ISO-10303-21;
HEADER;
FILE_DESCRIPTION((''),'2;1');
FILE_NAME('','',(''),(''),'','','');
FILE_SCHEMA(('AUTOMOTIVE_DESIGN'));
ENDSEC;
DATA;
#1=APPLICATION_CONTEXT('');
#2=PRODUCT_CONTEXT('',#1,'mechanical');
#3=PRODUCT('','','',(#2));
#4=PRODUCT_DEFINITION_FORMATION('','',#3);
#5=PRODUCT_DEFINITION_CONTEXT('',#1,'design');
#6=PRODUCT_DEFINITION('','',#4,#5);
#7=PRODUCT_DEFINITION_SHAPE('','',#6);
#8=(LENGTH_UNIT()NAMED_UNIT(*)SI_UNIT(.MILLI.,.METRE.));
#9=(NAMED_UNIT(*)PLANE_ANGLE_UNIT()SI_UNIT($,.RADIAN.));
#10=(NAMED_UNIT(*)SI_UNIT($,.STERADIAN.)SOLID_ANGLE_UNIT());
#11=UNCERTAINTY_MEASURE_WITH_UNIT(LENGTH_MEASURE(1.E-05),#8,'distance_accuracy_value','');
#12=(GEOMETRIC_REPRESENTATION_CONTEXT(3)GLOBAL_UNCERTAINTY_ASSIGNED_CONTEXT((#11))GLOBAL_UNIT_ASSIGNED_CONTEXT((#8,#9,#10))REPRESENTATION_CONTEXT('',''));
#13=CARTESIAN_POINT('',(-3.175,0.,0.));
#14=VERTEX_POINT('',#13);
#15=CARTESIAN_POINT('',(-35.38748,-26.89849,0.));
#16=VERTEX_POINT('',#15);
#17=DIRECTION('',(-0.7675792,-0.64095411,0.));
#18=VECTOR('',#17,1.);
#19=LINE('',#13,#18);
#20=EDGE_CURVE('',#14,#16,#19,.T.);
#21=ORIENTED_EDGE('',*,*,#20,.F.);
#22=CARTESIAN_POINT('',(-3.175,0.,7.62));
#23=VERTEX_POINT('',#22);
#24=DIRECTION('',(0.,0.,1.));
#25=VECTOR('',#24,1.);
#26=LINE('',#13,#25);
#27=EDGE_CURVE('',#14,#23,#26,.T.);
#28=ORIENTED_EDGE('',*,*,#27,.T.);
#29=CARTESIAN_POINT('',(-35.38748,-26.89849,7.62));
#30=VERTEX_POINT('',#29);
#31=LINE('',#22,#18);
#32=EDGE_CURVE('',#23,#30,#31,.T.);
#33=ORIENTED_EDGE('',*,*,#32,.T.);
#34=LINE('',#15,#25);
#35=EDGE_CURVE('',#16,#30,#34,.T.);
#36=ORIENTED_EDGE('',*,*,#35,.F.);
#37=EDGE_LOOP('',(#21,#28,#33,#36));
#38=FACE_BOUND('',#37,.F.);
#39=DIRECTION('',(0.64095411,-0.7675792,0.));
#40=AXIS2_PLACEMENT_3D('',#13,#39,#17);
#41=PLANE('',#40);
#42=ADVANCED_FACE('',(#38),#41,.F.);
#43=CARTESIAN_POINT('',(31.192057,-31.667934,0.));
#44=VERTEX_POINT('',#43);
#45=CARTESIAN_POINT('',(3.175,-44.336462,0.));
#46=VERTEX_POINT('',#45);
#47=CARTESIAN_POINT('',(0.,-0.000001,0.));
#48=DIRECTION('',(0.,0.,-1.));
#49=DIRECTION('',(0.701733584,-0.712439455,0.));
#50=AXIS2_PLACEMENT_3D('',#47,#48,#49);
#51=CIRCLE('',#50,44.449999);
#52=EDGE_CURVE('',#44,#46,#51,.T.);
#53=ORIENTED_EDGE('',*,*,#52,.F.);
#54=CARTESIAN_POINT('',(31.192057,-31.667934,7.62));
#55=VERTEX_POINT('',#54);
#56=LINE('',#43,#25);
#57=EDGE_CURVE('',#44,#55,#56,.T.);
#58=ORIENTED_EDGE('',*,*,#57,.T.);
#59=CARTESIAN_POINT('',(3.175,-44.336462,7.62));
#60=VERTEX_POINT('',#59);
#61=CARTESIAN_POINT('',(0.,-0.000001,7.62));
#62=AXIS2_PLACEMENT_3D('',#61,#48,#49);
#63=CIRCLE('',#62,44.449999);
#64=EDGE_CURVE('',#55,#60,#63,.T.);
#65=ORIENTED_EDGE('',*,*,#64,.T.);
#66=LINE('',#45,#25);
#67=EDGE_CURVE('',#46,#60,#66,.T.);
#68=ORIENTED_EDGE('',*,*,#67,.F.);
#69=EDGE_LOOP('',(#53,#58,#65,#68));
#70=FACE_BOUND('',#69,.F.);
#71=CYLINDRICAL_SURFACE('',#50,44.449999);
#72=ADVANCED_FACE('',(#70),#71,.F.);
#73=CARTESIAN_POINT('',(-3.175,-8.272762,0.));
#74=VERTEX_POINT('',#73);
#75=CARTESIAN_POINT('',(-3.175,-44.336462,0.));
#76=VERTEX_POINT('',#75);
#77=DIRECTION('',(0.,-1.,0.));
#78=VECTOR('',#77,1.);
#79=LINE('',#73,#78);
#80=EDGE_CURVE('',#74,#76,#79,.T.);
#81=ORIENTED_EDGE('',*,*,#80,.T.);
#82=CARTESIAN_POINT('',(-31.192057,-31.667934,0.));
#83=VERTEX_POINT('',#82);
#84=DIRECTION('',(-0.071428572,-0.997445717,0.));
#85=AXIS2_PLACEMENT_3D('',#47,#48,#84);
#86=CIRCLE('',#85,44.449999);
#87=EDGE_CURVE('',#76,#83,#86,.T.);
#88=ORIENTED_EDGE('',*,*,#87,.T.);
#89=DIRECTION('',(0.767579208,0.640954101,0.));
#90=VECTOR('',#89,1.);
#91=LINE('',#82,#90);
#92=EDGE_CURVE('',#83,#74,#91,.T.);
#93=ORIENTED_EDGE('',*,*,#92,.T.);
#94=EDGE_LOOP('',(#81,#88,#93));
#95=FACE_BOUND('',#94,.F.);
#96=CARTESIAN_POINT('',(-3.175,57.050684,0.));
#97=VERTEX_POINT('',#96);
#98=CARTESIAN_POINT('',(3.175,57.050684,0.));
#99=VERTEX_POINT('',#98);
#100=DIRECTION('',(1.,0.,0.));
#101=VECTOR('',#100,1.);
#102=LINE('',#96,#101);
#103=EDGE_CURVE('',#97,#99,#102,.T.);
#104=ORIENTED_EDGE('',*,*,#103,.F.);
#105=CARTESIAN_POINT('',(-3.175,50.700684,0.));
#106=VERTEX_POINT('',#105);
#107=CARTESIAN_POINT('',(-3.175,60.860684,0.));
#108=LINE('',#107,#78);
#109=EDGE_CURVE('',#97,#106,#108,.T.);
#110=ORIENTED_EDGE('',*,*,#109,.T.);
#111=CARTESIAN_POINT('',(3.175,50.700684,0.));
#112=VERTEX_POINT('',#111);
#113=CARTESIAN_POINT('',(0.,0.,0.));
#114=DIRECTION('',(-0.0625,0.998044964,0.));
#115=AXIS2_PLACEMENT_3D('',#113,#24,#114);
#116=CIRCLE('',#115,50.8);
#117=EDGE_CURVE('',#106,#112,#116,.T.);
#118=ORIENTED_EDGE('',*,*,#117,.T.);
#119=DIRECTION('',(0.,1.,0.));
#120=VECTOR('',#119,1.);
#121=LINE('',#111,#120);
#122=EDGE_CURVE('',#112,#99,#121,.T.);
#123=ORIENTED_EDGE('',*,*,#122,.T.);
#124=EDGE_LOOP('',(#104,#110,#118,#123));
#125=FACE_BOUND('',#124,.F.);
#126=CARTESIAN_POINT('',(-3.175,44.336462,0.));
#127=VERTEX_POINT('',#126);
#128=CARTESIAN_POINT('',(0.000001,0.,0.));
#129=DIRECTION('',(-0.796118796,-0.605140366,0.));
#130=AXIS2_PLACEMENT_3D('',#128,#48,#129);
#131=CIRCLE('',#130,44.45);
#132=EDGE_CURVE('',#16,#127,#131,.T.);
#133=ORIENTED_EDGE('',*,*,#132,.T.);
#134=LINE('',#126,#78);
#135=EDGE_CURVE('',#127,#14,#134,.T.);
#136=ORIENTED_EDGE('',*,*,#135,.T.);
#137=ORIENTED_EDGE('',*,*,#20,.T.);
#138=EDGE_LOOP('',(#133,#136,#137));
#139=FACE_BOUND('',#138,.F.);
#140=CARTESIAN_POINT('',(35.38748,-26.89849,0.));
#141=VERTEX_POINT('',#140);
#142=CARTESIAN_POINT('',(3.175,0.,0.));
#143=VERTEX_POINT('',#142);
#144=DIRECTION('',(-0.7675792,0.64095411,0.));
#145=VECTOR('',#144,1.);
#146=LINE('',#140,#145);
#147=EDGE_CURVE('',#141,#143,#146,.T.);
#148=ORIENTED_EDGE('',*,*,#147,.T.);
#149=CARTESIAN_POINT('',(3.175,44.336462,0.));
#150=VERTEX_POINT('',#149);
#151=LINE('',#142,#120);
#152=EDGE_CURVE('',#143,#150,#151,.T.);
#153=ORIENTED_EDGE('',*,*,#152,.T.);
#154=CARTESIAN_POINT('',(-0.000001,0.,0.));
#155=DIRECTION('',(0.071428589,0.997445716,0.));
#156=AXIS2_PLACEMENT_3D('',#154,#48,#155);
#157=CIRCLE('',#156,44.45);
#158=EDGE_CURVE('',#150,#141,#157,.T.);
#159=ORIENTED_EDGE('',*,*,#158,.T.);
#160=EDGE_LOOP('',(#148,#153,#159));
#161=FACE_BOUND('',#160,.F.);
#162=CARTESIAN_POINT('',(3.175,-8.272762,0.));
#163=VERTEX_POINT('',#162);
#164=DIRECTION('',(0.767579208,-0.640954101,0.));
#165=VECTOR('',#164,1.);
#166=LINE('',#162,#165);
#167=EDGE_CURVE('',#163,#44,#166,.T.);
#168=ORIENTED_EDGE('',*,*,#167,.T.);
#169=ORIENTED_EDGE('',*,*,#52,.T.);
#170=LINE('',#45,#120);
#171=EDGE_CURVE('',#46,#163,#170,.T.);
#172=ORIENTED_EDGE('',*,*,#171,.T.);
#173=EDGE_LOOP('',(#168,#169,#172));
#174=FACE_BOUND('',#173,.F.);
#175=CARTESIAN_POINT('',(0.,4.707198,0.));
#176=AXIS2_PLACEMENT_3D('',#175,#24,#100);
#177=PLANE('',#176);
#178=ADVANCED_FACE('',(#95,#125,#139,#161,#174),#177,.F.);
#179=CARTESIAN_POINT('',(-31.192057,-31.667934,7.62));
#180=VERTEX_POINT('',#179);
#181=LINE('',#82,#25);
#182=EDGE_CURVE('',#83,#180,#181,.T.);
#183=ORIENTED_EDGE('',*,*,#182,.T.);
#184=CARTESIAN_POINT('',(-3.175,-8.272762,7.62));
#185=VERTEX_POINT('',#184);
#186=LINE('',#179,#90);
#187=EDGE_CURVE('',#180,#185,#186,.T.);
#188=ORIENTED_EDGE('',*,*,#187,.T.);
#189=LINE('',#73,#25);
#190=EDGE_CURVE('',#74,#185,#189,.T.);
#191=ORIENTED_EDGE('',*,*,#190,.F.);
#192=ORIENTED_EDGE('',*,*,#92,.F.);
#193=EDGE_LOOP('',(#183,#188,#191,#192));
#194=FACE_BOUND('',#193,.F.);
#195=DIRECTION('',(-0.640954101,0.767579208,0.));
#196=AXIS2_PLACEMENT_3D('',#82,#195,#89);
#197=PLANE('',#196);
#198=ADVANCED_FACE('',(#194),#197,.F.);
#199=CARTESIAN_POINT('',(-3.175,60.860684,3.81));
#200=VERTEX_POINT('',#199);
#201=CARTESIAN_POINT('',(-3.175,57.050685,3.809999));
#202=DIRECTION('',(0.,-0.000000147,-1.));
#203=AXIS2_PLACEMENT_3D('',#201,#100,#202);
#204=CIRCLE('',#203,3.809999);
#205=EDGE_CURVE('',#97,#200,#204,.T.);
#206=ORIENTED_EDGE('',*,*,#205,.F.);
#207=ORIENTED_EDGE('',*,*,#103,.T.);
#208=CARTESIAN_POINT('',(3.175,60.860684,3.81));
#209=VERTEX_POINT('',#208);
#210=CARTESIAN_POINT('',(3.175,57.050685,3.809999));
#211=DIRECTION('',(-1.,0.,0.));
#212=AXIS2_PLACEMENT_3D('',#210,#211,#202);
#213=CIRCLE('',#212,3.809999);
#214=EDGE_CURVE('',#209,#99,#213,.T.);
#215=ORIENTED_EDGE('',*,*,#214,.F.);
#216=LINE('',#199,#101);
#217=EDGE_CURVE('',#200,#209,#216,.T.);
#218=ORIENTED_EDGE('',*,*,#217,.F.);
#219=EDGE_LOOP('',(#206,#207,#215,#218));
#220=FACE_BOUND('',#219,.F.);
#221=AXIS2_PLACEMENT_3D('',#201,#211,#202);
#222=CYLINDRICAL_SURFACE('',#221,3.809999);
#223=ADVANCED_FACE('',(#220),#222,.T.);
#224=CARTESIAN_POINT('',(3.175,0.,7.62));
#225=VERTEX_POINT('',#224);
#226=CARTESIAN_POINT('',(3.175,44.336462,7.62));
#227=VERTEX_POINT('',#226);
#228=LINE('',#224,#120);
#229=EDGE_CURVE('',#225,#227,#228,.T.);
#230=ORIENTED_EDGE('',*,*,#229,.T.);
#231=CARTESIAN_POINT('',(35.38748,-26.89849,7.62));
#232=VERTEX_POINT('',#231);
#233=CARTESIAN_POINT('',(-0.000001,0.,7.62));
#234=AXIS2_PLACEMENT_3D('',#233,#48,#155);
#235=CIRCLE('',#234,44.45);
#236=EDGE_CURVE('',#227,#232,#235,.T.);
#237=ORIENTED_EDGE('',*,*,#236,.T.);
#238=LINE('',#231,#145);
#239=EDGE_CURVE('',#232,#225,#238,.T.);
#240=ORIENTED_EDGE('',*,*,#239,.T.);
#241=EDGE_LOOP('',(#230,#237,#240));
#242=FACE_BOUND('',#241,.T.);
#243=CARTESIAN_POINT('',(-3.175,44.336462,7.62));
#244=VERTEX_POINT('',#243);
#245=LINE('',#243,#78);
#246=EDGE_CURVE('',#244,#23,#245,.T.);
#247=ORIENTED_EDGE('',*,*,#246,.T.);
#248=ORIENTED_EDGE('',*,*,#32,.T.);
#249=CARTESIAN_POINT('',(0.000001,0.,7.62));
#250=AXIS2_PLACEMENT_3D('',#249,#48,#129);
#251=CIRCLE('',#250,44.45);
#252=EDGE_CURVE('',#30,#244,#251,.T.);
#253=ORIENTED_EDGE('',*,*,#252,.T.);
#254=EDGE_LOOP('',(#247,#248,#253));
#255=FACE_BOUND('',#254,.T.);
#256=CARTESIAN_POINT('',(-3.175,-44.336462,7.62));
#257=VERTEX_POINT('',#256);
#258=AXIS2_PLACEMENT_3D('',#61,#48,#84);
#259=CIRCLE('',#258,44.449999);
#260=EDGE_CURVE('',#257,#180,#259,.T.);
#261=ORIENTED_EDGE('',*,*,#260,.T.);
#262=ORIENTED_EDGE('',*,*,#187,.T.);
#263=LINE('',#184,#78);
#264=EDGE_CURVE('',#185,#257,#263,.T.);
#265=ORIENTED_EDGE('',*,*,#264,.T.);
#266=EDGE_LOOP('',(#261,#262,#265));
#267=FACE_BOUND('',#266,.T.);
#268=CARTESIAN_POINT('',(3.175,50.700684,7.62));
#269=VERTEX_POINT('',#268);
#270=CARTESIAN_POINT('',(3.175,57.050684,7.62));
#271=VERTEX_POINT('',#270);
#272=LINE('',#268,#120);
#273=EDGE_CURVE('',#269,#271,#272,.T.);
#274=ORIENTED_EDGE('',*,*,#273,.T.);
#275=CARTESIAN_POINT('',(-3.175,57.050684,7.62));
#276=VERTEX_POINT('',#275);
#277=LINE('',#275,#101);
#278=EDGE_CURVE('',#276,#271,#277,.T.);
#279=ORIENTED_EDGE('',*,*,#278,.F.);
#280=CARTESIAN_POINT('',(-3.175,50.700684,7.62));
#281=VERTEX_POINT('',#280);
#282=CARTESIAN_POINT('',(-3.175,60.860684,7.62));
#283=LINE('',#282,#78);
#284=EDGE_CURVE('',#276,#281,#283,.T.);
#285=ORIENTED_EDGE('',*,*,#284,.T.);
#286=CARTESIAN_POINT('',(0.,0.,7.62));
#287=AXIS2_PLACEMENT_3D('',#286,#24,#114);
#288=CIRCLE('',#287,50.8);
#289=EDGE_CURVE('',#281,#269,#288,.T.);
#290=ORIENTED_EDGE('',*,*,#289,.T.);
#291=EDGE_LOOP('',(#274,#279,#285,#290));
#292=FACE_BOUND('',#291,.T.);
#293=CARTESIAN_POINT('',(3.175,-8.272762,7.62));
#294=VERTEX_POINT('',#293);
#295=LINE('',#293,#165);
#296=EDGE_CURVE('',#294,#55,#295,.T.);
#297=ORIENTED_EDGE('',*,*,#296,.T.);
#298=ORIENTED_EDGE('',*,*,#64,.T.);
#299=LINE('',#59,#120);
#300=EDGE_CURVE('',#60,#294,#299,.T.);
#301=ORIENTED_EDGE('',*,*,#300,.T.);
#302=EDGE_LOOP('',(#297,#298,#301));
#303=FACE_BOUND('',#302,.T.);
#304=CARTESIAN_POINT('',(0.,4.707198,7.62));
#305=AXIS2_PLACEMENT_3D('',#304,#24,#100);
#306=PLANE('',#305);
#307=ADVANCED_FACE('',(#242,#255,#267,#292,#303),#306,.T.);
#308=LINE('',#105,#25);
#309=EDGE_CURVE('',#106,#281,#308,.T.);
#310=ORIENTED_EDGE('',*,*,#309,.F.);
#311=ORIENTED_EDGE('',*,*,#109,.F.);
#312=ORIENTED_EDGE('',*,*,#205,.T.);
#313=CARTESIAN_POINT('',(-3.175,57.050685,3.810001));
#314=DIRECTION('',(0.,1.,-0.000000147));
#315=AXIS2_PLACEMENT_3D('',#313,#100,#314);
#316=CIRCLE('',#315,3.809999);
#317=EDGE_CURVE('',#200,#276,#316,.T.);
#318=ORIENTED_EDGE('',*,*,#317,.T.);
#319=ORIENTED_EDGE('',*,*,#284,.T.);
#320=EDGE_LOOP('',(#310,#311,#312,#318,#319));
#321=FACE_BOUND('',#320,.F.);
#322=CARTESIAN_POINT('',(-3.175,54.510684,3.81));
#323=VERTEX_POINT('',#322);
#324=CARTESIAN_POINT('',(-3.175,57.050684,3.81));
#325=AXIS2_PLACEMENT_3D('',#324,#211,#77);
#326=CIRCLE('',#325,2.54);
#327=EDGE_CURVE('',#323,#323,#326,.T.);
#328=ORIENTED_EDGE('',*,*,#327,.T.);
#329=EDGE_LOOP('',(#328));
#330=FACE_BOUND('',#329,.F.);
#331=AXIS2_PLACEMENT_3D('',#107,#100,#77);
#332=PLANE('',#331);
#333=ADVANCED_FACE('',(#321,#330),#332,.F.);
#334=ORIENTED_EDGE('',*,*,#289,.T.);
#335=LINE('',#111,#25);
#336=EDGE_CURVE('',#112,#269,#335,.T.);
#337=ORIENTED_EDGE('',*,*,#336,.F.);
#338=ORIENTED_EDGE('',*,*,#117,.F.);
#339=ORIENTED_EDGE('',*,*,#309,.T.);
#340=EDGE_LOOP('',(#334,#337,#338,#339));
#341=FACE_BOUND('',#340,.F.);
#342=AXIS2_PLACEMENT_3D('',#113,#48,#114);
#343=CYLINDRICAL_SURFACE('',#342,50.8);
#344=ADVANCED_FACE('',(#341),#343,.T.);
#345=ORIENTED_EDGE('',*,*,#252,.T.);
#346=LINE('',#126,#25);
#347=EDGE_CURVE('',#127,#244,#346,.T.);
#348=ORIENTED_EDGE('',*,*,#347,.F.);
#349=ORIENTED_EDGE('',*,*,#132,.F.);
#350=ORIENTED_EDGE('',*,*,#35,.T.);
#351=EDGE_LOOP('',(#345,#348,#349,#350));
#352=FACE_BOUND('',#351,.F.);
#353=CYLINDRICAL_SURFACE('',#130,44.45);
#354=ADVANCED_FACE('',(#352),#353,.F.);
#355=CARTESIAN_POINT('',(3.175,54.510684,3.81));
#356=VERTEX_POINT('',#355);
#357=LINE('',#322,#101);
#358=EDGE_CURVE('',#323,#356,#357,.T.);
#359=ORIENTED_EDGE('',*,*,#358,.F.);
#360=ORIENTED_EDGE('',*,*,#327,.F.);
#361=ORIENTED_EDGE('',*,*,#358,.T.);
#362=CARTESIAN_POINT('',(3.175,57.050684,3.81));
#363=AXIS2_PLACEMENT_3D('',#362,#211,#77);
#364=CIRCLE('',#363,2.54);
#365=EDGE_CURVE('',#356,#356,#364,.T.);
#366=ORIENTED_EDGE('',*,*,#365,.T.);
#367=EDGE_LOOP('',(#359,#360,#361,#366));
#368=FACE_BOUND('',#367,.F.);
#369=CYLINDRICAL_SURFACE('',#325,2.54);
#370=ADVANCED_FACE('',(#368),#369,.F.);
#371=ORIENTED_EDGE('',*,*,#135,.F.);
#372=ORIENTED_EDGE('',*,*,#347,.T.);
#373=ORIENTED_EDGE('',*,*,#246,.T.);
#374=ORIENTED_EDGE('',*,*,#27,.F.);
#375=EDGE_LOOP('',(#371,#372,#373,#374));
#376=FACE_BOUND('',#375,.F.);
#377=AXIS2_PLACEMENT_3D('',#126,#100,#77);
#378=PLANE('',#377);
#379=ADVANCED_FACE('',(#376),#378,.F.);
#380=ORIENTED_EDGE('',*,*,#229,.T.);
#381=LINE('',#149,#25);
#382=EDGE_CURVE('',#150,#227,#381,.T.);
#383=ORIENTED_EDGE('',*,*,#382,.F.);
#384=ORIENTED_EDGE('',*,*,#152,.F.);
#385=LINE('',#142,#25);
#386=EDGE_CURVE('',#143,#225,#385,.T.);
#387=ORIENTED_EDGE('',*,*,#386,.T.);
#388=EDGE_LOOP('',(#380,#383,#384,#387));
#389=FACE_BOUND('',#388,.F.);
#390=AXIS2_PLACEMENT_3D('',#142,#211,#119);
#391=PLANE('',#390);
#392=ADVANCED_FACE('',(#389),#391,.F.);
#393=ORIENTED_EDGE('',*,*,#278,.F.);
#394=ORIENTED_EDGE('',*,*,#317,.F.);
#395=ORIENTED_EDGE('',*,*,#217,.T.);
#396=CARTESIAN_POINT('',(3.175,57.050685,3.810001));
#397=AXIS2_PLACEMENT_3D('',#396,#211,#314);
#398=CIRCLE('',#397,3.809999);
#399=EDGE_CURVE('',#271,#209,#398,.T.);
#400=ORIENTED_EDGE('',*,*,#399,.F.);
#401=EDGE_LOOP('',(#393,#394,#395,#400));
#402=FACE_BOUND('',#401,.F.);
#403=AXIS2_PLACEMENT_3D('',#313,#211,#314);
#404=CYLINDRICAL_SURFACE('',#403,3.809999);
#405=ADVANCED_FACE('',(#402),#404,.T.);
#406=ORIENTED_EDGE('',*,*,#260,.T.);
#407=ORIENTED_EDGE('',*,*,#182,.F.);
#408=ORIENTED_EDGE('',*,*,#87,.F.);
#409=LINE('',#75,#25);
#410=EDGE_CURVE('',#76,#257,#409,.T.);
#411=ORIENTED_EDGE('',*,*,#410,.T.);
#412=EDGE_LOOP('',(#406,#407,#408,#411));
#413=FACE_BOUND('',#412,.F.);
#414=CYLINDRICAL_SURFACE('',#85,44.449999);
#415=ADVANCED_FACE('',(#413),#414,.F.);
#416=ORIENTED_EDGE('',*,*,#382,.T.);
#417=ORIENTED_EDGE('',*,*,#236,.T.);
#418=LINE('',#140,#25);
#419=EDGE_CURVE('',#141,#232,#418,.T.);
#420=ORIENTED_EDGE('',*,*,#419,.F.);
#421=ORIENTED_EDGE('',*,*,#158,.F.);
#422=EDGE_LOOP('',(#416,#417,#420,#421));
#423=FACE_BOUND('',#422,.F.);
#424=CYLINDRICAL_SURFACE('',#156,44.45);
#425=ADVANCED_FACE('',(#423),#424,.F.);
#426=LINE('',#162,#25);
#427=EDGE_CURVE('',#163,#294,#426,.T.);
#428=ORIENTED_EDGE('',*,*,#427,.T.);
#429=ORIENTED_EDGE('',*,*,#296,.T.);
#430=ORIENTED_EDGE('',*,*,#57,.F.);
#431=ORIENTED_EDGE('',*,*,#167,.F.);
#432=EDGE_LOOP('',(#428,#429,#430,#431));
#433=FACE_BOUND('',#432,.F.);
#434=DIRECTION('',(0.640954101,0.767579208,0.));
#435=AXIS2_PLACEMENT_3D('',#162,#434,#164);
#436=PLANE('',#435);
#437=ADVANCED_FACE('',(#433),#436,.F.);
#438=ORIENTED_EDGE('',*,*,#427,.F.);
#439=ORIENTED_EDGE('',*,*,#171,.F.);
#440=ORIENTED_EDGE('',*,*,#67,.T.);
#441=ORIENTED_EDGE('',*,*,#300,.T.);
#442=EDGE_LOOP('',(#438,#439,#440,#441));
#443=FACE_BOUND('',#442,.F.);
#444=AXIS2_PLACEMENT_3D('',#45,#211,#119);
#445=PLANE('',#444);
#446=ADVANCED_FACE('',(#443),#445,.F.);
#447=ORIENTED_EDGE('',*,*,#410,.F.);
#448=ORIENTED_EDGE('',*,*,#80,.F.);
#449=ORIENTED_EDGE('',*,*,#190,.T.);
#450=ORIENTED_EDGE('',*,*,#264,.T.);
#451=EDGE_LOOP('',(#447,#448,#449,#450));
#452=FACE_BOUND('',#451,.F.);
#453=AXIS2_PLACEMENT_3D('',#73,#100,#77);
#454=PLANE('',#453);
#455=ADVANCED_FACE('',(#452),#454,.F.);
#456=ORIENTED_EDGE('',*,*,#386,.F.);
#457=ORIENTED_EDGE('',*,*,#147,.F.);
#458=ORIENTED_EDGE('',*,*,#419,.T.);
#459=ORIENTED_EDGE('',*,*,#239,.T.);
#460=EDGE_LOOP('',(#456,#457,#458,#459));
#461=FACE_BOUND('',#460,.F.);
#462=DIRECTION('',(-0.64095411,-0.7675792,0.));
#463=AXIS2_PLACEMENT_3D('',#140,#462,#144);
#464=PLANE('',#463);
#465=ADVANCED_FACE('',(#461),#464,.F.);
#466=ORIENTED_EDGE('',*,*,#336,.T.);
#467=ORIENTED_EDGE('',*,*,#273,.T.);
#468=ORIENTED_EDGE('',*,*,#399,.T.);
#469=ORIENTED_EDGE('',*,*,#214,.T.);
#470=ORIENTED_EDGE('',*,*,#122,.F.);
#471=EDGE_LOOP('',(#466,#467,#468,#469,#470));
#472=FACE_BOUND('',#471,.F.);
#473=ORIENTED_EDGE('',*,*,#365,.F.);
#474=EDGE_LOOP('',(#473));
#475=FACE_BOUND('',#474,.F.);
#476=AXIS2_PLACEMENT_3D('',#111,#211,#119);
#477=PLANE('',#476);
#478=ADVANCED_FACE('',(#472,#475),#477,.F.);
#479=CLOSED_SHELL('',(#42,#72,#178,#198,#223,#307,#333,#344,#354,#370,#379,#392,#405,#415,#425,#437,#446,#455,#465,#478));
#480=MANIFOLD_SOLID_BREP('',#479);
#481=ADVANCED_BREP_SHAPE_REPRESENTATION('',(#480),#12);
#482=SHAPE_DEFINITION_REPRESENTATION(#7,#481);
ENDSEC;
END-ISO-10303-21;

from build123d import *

# Parameters (mm, degrees)
F1_DEPTH = 7.62
F2_R     = 2.54
F3_DEPTH = 25.4


with BuildPart() as f1:
    # F0 (on Top) → F1 (new body)
    with BuildSketch(Plane.XY):
        with BuildLine():
            Line((-3.175, 60.860684), (-3.175, 50.700684))
            ThreePointArc((-3.175, 50.700684), (0, -50.8), (3.175, 50.700684))
            Line((3.175, 50.700684), (3.175, 60.860684))
            Line((3.175, 60.860684), (-3.175, 60.860684))
        make_face()
        with BuildLine():
            Line((-31.192057, -31.667934), (-3.175, -8.272762))
            Line((-3.175, -8.272762), (-3.175, -44.336462))
            ThreePointArc((-3.175, -44.336462), (-18.313835, -40.501925), (-31.192057, -31.667934))
        make_face(mode=Mode.SUBTRACT)
        with BuildLine():
            Line((3.175, -44.336462), (3.175, -8.272762))
            Line((3.175, -8.272762), (31.192057, -31.667934))
            ThreePointArc((31.192057, -31.667934), (18.313835, -40.501925), (3.175, -44.336462))
        make_face(mode=Mode.SUBTRACT)
        with BuildLine():
            ThreePointArc((-35.38748, -26.89849), (-40.501491, 18.314794), (-3.175, 44.336462))
            Line((-3.175, 44.336462), (-3.175, 0))
            Line((-3.175, 0), (-35.38748, -26.89849))
        make_face(mode=Mode.SUBTRACT)
        with BuildLine():
            Line((3.175, 0), (3.175, 44.336462))
            ThreePointArc((3.175, 44.336462), (40.501491, 18.314794), (35.38748, -26.89849))
            Line((35.38748, -26.89849), (3.175, 0))
        make_face(mode=Mode.SUBTRACT)
    extrude(amount=F1_DEPTH)

    # F2 (on face) → F3 (cut)
    with BuildSketch(Plane(origin=(-3.175, 0, 0), x_dir=(0, -1, 0), z_dir=(-1, 0, 0))):
        with Locations((-57.050684, 3.81)):
            Circle(F2_R)
        with BuildLine():
            ThreePointArc((-60.860684, 3.81), (-59.744761, 6.504077), (-57.050684, 7.62))
            Line((-57.050684, 7.62), (-60.860684, 7.62))
            Line((-60.860684, 7.62), (-60.860684, 3.81))
        make_face()
        with BuildLine():
            Line((-60.860684, 0), (-57.050684, 0))
            ThreePointArc((-57.050684, 0), (-59.744761, 1.115923), (-60.860684, 3.81))
            Line((-60.860684, 3.81), (-60.860684, 0))
        make_face()
    extrude(amount=-F3_DEPTH, mode=Mode.SUBTRACT)


solid = f1.part
